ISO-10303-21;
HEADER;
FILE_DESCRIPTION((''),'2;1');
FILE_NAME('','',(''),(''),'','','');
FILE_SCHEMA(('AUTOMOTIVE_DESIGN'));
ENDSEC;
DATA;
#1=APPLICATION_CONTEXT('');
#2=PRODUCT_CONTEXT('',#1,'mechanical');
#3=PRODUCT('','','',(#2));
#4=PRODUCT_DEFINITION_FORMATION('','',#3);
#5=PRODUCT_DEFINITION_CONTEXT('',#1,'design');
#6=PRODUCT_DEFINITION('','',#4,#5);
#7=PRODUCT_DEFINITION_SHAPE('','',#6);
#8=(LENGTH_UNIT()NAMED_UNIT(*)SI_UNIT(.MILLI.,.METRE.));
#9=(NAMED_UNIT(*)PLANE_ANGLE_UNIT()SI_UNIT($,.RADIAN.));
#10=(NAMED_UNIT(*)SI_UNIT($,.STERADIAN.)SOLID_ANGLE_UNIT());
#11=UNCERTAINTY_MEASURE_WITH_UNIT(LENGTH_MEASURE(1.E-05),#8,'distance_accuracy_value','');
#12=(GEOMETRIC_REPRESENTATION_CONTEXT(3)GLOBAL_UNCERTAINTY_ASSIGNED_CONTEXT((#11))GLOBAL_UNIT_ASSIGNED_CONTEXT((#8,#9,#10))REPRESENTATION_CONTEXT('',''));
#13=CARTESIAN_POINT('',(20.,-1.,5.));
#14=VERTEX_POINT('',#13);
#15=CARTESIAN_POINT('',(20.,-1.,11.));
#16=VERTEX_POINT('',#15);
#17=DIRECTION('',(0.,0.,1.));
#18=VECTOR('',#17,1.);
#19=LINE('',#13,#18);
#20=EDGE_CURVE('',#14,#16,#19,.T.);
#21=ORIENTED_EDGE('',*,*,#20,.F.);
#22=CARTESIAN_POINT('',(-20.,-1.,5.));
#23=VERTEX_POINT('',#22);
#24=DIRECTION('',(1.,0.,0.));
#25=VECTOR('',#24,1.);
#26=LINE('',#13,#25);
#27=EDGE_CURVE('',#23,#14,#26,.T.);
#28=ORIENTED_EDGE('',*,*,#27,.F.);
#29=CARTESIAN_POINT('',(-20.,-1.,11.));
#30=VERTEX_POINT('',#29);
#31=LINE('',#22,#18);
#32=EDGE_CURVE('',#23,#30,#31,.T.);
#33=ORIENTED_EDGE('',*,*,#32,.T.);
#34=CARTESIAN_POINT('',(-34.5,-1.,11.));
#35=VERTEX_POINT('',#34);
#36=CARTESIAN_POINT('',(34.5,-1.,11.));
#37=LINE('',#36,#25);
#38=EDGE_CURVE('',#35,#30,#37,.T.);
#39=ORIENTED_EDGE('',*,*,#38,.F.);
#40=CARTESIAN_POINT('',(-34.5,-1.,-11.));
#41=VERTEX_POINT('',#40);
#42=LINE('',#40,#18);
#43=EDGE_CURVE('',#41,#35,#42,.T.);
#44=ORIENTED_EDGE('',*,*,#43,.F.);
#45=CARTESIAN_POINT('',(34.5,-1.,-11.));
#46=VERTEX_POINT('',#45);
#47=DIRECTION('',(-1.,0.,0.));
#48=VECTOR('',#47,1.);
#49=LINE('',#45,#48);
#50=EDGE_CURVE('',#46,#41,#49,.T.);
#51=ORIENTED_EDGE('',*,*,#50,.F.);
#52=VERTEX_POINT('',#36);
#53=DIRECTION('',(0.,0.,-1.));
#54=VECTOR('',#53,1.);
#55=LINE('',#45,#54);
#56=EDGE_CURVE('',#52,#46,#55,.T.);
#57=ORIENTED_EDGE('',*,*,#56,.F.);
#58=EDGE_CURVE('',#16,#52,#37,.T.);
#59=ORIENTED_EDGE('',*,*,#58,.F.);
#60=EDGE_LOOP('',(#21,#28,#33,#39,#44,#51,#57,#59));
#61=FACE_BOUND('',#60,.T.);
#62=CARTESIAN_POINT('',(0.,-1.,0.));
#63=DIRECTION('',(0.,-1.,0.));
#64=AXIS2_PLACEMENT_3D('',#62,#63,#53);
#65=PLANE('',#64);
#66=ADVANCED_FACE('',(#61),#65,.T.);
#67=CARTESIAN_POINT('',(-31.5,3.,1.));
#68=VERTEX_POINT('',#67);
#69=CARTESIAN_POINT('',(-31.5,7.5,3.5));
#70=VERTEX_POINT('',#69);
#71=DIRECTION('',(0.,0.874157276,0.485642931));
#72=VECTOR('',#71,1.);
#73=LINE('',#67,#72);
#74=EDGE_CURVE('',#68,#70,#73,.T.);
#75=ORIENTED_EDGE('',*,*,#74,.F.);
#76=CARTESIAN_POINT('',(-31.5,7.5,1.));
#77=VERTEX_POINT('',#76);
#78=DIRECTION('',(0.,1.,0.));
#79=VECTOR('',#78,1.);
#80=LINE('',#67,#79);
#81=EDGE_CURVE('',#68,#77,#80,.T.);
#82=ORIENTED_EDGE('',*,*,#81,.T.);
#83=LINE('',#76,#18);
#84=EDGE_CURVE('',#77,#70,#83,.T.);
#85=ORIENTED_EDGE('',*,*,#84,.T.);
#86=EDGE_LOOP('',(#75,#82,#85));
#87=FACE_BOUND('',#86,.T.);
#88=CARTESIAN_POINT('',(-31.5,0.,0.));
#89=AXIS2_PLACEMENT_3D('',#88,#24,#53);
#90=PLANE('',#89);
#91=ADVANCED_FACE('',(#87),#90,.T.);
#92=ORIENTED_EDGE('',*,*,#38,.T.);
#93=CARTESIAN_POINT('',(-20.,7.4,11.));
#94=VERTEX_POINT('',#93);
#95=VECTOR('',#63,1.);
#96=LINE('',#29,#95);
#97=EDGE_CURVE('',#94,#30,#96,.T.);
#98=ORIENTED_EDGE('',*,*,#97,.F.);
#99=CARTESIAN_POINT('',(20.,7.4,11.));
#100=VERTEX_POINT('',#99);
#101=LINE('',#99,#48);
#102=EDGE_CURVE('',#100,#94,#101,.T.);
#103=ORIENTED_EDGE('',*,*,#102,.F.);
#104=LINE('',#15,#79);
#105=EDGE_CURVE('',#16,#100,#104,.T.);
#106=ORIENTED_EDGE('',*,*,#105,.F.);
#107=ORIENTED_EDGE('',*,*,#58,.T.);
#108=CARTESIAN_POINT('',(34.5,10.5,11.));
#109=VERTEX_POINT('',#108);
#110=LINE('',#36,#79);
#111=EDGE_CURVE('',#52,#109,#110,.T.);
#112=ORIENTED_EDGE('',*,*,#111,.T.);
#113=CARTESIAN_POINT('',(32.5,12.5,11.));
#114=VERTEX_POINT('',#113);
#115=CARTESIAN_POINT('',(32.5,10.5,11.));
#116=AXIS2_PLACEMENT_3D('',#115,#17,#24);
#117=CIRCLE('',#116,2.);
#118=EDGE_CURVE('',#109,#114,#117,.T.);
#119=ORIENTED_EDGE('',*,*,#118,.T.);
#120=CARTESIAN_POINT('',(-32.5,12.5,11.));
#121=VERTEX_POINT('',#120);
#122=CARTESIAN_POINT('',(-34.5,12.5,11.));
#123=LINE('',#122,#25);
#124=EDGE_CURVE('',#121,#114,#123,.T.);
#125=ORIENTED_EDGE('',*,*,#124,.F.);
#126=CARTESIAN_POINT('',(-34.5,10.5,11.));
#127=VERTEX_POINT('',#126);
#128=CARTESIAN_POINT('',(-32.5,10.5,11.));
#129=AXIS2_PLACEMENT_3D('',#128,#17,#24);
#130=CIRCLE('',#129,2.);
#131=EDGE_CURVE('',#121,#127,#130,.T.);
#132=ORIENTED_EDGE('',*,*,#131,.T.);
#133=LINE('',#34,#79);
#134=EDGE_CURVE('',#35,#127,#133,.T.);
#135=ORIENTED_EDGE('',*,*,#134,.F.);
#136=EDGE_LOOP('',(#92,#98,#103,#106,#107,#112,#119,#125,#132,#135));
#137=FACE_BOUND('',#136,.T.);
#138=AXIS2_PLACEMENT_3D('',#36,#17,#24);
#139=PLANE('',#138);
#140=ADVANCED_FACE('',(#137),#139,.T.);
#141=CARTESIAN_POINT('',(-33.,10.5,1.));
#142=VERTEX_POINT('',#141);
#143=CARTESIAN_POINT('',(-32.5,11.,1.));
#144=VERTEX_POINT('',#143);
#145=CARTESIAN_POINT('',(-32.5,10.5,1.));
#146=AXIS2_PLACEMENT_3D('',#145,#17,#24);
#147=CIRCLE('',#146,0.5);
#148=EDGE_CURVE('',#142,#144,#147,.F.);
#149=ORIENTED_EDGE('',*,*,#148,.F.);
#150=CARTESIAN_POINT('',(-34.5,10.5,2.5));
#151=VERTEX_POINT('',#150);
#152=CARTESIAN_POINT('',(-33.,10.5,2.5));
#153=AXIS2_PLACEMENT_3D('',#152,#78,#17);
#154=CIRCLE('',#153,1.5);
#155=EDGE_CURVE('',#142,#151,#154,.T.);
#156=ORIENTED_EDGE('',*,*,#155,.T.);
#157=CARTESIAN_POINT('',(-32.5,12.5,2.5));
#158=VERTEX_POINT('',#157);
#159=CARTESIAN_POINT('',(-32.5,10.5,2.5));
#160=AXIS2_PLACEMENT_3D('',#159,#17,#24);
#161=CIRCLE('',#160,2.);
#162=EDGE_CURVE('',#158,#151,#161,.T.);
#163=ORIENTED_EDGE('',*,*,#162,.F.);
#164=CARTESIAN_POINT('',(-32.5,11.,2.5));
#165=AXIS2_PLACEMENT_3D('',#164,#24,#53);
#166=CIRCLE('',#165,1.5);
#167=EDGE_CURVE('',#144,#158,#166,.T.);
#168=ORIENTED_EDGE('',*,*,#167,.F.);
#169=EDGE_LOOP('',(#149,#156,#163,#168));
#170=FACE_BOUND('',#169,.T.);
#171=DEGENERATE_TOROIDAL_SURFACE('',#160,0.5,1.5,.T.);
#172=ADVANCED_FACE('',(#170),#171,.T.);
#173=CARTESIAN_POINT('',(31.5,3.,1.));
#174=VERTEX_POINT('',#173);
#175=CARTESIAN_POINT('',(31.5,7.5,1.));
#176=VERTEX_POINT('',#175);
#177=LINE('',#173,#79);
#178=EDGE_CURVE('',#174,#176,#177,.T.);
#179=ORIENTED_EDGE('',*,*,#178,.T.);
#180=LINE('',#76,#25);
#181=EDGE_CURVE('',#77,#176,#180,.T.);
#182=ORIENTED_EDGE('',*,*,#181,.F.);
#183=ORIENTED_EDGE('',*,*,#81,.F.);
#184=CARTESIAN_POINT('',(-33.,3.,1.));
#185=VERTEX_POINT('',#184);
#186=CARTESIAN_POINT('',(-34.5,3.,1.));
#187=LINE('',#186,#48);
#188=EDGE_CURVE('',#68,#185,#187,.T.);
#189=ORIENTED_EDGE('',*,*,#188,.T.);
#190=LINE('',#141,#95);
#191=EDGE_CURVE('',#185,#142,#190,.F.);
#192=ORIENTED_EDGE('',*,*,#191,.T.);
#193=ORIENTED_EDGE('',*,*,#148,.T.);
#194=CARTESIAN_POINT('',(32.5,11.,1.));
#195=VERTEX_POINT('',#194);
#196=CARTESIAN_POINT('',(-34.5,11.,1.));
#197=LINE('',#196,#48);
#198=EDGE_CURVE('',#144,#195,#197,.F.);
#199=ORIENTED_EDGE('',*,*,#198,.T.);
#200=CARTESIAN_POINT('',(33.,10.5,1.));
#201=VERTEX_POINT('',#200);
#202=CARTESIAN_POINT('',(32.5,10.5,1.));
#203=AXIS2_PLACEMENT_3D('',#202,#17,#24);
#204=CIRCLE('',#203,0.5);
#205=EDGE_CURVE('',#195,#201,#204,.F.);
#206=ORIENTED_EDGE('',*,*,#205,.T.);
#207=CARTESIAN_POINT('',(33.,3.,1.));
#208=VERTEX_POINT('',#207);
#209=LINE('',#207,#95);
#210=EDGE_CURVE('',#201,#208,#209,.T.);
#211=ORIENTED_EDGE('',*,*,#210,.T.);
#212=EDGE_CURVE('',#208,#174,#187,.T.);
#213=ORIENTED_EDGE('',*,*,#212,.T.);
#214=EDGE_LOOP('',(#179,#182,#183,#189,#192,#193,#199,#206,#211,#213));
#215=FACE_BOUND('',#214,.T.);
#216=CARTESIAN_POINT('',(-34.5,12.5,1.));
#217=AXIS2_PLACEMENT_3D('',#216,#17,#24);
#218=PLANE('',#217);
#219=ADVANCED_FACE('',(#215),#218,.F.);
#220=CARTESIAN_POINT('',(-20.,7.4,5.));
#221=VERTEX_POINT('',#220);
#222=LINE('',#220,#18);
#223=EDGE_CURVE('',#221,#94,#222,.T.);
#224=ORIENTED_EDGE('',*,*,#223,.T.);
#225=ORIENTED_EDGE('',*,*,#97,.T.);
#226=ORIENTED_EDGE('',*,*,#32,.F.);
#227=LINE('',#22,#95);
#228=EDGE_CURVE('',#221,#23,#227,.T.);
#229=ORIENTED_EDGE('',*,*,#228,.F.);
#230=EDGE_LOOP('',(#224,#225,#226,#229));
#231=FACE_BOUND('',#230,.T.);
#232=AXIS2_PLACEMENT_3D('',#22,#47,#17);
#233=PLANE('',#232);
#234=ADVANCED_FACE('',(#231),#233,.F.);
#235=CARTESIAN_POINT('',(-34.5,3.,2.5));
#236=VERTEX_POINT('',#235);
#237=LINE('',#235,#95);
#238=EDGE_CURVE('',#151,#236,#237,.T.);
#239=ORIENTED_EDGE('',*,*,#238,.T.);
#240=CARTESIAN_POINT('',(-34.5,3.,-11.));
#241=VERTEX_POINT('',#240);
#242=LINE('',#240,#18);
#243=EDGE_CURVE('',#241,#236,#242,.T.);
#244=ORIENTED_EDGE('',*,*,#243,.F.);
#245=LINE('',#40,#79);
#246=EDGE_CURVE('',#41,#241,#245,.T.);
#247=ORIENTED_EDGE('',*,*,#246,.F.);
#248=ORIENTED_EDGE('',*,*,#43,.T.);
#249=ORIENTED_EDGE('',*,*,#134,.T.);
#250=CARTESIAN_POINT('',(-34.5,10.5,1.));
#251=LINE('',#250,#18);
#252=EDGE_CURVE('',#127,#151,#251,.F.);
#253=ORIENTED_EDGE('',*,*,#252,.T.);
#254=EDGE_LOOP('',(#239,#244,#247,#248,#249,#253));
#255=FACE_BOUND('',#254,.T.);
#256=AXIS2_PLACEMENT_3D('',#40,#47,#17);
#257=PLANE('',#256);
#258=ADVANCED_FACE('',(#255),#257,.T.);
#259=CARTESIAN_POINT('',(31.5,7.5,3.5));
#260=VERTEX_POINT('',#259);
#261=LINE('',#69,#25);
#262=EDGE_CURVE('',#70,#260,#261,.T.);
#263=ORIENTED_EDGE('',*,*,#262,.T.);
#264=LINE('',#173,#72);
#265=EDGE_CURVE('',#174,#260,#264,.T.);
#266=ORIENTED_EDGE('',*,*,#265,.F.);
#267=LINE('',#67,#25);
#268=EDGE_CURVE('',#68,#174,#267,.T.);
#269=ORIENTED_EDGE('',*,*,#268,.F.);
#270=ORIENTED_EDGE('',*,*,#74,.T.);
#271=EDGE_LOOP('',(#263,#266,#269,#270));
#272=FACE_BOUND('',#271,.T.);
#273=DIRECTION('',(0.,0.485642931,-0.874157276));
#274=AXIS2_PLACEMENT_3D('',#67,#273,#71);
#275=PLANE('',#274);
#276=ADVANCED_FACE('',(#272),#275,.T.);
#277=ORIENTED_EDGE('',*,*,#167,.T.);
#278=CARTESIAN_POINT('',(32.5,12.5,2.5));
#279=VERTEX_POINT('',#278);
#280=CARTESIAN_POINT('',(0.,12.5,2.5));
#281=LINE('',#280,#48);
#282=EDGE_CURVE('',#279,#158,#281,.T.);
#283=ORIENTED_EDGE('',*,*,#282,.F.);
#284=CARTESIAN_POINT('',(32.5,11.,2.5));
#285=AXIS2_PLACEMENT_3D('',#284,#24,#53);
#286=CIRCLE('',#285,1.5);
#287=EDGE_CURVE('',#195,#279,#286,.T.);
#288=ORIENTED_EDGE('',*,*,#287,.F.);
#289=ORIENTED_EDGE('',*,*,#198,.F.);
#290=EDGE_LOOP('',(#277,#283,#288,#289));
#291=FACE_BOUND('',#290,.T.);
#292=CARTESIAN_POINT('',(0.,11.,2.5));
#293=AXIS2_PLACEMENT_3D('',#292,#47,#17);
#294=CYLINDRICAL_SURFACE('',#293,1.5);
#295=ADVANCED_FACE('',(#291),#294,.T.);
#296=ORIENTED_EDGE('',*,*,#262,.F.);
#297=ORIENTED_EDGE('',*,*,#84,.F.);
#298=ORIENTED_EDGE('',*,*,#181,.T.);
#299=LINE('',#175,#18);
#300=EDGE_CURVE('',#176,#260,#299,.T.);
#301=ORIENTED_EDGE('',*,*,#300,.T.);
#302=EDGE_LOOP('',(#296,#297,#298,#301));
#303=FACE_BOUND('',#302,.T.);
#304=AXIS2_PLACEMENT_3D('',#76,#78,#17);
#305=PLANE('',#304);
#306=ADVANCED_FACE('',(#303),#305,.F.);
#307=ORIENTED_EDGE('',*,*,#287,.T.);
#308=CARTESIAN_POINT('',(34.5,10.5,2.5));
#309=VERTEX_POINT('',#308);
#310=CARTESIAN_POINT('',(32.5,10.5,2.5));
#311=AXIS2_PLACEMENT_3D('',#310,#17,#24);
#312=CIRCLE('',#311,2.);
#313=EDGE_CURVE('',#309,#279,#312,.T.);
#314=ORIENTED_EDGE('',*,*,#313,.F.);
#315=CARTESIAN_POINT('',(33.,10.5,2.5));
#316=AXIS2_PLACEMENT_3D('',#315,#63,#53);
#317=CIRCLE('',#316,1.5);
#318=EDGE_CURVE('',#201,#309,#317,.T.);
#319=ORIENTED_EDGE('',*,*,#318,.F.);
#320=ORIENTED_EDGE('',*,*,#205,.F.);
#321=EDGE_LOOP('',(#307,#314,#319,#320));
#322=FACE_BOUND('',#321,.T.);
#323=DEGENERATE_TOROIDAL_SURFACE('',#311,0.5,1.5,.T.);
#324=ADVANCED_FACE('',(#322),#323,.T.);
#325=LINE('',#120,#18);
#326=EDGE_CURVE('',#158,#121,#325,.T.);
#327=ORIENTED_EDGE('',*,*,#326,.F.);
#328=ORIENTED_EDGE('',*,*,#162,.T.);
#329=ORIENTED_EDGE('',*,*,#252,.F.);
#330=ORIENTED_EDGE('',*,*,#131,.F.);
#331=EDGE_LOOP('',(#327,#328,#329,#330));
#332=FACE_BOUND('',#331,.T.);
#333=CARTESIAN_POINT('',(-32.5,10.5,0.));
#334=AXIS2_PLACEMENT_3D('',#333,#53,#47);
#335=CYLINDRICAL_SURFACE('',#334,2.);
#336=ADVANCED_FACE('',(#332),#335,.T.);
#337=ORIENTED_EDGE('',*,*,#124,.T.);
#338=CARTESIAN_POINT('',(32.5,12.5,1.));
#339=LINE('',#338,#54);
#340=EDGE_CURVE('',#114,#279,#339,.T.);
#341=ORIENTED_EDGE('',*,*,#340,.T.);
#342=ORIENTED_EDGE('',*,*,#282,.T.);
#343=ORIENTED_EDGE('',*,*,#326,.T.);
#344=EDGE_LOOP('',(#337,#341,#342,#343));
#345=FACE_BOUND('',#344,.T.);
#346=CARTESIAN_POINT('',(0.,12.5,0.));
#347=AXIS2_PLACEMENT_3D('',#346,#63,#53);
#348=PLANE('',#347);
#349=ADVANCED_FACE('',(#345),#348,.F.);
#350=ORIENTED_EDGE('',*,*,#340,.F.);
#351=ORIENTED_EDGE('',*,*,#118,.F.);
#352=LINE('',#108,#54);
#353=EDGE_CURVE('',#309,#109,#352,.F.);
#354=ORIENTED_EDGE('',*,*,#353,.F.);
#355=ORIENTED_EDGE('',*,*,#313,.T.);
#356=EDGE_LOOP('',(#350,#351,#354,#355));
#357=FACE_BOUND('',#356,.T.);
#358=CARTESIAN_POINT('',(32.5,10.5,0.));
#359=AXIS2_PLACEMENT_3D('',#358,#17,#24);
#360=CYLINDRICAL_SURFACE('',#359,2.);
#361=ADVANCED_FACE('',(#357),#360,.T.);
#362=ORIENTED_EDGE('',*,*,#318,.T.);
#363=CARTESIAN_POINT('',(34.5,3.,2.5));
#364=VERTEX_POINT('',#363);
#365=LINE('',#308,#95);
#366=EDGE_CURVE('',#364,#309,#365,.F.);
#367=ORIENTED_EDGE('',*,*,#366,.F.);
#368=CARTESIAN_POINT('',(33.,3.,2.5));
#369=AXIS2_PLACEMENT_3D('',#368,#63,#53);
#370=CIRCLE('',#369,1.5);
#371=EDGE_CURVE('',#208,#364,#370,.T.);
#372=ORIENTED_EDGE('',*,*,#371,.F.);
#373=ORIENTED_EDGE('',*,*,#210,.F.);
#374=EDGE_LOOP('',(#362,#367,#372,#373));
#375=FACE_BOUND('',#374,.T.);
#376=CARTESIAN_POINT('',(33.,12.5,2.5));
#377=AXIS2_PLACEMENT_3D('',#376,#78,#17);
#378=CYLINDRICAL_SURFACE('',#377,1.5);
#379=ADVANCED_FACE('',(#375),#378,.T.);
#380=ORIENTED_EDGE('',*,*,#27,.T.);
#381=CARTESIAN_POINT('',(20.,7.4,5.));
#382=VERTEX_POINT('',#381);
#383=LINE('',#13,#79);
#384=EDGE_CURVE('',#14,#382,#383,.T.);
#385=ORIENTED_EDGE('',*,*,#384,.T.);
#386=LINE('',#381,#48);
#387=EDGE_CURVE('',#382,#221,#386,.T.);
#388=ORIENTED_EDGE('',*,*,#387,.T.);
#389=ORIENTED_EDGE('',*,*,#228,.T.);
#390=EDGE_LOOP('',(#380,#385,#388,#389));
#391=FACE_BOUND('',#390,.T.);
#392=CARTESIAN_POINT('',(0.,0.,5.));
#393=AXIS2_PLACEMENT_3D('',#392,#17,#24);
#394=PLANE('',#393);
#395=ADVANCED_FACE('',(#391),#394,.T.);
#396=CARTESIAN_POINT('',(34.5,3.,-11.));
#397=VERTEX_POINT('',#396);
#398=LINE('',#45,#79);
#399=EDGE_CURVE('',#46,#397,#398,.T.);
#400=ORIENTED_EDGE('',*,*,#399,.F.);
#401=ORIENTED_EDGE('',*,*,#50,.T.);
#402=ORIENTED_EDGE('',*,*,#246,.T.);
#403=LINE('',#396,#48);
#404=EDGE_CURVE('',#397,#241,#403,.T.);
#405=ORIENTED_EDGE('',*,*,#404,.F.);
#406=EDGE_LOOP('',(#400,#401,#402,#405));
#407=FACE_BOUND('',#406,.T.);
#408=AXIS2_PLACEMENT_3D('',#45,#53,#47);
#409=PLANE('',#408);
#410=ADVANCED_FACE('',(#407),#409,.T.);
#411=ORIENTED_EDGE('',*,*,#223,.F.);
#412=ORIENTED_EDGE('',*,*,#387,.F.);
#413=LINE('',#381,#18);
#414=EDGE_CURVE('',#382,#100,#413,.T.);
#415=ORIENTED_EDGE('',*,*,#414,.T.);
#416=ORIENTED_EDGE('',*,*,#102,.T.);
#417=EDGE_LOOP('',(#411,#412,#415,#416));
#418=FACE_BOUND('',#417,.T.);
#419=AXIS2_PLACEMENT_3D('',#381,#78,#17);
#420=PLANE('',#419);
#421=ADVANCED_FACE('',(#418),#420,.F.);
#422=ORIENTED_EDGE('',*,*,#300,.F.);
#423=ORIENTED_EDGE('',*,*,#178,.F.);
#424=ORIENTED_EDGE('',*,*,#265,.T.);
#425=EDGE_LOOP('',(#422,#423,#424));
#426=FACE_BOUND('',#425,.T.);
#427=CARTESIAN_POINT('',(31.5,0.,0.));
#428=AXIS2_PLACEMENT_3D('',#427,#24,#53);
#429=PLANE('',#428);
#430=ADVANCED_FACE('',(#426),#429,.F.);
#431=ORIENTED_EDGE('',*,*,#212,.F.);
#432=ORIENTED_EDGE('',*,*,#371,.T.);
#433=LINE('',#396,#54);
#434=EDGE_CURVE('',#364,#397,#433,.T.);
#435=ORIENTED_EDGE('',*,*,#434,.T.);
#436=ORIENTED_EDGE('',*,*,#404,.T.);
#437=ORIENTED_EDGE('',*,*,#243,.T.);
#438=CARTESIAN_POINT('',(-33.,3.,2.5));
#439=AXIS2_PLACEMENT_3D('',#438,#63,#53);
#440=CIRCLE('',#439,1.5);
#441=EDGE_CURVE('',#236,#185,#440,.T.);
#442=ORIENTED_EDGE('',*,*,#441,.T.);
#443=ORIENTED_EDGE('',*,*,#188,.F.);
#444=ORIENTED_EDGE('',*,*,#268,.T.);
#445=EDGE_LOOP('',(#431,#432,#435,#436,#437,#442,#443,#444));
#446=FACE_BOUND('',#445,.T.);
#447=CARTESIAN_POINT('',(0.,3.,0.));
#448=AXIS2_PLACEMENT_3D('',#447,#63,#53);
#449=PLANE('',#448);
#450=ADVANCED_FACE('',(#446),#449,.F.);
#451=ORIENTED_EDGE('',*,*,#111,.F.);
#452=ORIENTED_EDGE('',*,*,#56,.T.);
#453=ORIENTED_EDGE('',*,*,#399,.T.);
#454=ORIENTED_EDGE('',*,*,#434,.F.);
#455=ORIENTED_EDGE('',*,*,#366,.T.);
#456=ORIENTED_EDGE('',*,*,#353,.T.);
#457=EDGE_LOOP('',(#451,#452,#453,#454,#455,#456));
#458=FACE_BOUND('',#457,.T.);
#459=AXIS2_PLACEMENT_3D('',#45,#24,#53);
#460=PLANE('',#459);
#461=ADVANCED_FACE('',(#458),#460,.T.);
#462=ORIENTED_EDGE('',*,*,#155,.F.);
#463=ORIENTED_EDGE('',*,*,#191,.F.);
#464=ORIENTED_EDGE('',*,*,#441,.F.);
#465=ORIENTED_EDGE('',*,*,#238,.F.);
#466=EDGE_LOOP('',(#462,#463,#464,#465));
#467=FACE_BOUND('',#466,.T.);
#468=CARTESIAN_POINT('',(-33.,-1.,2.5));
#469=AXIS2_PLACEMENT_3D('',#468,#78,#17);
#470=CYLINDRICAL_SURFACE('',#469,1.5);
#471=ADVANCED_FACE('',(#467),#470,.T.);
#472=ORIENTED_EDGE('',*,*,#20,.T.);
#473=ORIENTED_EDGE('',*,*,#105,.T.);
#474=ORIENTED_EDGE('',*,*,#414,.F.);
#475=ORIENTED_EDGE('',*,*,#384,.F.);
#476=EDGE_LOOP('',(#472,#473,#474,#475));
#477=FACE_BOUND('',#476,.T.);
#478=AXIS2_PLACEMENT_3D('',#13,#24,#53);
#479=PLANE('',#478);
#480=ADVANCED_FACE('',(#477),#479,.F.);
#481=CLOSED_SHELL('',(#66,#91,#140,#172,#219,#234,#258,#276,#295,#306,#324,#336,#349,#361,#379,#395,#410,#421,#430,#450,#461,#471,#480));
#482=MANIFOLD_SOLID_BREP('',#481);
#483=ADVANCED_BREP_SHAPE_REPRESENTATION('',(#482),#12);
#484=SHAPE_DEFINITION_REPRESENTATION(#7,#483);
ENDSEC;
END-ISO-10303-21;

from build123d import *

# Parameters (mm, degrees)
SKETCH1_W                = 69
SKETCH1_H                = 22
BOSS_EXTRUDE1_DEPTH      = 3
BOSS_EXTRUDE1_DEPTH_BACK = 1
BOSS_EXTRUDE2_DEPTH      = 9.5
CUT_EXTRUDE2_DEPTH       = 63
SKETCH5_W                = 40
SKETCH5_H                = 8.4
CUT_EXTRUDE3_DEPTH       = 6
FILLET5_R                = 2
FILLET6_R                = 1.5


with BuildPart() as part:
    # Sketch1 → Boss-Extrude1 (new body, two sides)
    with BuildSketch(Plane(origin=(0, 0, 0), x_dir=(1, 0, 0), z_dir=(0, 1, 0))) as boss_extrude1_sk:
        Rectangle(SKETCH1_W, SKETCH1_H)
    extrude(amount=BOSS_EXTRUDE1_DEPTH)
    extrude(boss_extrude1_sk.sketch, amount=-BOSS_EXTRUDE1_DEPTH_BACK)

    # Sketch2 → Boss-Extrude2 (add)
    with BuildSketch(Plane(origin=(0, 3, 0), x_dir=(1, 0, 0), z_dir=(0, 1, 0))):
        Polygon((-34.5, -11), (-21.5, -11), (21.5, -11), (34.5, -11), (34.5, -1), (21.5, -1), (-21.5, -1), (-34.5, -1), align=None)
    extrude(amount=BOSS_EXTRUDE2_DEPTH)

    # Sketch4 → Cut-Extrude2 (cut)
    with BuildSketch(Plane(origin=(31.5, 0, 0), x_dir=(0, 0, -1), z_dir=(1, 0, 0))):
        Polygon((-1, 3), (-3.5, 7.5), (-1, 7.5), align=None)
    extrude(amount=-CUT_EXTRUDE2_DEPTH, mode=Mode.SUBTRACT)

    # Sketch5 → Cut-Extrude3 (cut)
    with BuildSketch(Plane.XY.offset(11)):
        with Locations((0, 3.2)):
            Rectangle(SKETCH5_W, SKETCH5_H)
    extrude(amount=-CUT_EXTRUDE3_DEPTH, mode=Mode.SUBTRACT)

    # Fillet5
    fillet5_edges = [part.edges().sort_by_distance(p)[0] for p in [
        (-34.5, 12.5, 6),
        (34.5, 12.5, 6),
    ]]
    fillet(fillet5_edges, radius=FILLET5_R)

    # Fillet6
    fillet6_edges = [part.edges().sort_by_distance(p)[0] for p in [
        (0, 12.5, 1),
        (-34.5, 6.75, 1),
        (34.5, 6.75, 1),
        (33.914213562, 11.914213562, 1),
        (-33.914213562, 11.914213562, 1),
    ]]
    fillet(fillet6_edges, radius=FILLET6_R)


solid = part.part
